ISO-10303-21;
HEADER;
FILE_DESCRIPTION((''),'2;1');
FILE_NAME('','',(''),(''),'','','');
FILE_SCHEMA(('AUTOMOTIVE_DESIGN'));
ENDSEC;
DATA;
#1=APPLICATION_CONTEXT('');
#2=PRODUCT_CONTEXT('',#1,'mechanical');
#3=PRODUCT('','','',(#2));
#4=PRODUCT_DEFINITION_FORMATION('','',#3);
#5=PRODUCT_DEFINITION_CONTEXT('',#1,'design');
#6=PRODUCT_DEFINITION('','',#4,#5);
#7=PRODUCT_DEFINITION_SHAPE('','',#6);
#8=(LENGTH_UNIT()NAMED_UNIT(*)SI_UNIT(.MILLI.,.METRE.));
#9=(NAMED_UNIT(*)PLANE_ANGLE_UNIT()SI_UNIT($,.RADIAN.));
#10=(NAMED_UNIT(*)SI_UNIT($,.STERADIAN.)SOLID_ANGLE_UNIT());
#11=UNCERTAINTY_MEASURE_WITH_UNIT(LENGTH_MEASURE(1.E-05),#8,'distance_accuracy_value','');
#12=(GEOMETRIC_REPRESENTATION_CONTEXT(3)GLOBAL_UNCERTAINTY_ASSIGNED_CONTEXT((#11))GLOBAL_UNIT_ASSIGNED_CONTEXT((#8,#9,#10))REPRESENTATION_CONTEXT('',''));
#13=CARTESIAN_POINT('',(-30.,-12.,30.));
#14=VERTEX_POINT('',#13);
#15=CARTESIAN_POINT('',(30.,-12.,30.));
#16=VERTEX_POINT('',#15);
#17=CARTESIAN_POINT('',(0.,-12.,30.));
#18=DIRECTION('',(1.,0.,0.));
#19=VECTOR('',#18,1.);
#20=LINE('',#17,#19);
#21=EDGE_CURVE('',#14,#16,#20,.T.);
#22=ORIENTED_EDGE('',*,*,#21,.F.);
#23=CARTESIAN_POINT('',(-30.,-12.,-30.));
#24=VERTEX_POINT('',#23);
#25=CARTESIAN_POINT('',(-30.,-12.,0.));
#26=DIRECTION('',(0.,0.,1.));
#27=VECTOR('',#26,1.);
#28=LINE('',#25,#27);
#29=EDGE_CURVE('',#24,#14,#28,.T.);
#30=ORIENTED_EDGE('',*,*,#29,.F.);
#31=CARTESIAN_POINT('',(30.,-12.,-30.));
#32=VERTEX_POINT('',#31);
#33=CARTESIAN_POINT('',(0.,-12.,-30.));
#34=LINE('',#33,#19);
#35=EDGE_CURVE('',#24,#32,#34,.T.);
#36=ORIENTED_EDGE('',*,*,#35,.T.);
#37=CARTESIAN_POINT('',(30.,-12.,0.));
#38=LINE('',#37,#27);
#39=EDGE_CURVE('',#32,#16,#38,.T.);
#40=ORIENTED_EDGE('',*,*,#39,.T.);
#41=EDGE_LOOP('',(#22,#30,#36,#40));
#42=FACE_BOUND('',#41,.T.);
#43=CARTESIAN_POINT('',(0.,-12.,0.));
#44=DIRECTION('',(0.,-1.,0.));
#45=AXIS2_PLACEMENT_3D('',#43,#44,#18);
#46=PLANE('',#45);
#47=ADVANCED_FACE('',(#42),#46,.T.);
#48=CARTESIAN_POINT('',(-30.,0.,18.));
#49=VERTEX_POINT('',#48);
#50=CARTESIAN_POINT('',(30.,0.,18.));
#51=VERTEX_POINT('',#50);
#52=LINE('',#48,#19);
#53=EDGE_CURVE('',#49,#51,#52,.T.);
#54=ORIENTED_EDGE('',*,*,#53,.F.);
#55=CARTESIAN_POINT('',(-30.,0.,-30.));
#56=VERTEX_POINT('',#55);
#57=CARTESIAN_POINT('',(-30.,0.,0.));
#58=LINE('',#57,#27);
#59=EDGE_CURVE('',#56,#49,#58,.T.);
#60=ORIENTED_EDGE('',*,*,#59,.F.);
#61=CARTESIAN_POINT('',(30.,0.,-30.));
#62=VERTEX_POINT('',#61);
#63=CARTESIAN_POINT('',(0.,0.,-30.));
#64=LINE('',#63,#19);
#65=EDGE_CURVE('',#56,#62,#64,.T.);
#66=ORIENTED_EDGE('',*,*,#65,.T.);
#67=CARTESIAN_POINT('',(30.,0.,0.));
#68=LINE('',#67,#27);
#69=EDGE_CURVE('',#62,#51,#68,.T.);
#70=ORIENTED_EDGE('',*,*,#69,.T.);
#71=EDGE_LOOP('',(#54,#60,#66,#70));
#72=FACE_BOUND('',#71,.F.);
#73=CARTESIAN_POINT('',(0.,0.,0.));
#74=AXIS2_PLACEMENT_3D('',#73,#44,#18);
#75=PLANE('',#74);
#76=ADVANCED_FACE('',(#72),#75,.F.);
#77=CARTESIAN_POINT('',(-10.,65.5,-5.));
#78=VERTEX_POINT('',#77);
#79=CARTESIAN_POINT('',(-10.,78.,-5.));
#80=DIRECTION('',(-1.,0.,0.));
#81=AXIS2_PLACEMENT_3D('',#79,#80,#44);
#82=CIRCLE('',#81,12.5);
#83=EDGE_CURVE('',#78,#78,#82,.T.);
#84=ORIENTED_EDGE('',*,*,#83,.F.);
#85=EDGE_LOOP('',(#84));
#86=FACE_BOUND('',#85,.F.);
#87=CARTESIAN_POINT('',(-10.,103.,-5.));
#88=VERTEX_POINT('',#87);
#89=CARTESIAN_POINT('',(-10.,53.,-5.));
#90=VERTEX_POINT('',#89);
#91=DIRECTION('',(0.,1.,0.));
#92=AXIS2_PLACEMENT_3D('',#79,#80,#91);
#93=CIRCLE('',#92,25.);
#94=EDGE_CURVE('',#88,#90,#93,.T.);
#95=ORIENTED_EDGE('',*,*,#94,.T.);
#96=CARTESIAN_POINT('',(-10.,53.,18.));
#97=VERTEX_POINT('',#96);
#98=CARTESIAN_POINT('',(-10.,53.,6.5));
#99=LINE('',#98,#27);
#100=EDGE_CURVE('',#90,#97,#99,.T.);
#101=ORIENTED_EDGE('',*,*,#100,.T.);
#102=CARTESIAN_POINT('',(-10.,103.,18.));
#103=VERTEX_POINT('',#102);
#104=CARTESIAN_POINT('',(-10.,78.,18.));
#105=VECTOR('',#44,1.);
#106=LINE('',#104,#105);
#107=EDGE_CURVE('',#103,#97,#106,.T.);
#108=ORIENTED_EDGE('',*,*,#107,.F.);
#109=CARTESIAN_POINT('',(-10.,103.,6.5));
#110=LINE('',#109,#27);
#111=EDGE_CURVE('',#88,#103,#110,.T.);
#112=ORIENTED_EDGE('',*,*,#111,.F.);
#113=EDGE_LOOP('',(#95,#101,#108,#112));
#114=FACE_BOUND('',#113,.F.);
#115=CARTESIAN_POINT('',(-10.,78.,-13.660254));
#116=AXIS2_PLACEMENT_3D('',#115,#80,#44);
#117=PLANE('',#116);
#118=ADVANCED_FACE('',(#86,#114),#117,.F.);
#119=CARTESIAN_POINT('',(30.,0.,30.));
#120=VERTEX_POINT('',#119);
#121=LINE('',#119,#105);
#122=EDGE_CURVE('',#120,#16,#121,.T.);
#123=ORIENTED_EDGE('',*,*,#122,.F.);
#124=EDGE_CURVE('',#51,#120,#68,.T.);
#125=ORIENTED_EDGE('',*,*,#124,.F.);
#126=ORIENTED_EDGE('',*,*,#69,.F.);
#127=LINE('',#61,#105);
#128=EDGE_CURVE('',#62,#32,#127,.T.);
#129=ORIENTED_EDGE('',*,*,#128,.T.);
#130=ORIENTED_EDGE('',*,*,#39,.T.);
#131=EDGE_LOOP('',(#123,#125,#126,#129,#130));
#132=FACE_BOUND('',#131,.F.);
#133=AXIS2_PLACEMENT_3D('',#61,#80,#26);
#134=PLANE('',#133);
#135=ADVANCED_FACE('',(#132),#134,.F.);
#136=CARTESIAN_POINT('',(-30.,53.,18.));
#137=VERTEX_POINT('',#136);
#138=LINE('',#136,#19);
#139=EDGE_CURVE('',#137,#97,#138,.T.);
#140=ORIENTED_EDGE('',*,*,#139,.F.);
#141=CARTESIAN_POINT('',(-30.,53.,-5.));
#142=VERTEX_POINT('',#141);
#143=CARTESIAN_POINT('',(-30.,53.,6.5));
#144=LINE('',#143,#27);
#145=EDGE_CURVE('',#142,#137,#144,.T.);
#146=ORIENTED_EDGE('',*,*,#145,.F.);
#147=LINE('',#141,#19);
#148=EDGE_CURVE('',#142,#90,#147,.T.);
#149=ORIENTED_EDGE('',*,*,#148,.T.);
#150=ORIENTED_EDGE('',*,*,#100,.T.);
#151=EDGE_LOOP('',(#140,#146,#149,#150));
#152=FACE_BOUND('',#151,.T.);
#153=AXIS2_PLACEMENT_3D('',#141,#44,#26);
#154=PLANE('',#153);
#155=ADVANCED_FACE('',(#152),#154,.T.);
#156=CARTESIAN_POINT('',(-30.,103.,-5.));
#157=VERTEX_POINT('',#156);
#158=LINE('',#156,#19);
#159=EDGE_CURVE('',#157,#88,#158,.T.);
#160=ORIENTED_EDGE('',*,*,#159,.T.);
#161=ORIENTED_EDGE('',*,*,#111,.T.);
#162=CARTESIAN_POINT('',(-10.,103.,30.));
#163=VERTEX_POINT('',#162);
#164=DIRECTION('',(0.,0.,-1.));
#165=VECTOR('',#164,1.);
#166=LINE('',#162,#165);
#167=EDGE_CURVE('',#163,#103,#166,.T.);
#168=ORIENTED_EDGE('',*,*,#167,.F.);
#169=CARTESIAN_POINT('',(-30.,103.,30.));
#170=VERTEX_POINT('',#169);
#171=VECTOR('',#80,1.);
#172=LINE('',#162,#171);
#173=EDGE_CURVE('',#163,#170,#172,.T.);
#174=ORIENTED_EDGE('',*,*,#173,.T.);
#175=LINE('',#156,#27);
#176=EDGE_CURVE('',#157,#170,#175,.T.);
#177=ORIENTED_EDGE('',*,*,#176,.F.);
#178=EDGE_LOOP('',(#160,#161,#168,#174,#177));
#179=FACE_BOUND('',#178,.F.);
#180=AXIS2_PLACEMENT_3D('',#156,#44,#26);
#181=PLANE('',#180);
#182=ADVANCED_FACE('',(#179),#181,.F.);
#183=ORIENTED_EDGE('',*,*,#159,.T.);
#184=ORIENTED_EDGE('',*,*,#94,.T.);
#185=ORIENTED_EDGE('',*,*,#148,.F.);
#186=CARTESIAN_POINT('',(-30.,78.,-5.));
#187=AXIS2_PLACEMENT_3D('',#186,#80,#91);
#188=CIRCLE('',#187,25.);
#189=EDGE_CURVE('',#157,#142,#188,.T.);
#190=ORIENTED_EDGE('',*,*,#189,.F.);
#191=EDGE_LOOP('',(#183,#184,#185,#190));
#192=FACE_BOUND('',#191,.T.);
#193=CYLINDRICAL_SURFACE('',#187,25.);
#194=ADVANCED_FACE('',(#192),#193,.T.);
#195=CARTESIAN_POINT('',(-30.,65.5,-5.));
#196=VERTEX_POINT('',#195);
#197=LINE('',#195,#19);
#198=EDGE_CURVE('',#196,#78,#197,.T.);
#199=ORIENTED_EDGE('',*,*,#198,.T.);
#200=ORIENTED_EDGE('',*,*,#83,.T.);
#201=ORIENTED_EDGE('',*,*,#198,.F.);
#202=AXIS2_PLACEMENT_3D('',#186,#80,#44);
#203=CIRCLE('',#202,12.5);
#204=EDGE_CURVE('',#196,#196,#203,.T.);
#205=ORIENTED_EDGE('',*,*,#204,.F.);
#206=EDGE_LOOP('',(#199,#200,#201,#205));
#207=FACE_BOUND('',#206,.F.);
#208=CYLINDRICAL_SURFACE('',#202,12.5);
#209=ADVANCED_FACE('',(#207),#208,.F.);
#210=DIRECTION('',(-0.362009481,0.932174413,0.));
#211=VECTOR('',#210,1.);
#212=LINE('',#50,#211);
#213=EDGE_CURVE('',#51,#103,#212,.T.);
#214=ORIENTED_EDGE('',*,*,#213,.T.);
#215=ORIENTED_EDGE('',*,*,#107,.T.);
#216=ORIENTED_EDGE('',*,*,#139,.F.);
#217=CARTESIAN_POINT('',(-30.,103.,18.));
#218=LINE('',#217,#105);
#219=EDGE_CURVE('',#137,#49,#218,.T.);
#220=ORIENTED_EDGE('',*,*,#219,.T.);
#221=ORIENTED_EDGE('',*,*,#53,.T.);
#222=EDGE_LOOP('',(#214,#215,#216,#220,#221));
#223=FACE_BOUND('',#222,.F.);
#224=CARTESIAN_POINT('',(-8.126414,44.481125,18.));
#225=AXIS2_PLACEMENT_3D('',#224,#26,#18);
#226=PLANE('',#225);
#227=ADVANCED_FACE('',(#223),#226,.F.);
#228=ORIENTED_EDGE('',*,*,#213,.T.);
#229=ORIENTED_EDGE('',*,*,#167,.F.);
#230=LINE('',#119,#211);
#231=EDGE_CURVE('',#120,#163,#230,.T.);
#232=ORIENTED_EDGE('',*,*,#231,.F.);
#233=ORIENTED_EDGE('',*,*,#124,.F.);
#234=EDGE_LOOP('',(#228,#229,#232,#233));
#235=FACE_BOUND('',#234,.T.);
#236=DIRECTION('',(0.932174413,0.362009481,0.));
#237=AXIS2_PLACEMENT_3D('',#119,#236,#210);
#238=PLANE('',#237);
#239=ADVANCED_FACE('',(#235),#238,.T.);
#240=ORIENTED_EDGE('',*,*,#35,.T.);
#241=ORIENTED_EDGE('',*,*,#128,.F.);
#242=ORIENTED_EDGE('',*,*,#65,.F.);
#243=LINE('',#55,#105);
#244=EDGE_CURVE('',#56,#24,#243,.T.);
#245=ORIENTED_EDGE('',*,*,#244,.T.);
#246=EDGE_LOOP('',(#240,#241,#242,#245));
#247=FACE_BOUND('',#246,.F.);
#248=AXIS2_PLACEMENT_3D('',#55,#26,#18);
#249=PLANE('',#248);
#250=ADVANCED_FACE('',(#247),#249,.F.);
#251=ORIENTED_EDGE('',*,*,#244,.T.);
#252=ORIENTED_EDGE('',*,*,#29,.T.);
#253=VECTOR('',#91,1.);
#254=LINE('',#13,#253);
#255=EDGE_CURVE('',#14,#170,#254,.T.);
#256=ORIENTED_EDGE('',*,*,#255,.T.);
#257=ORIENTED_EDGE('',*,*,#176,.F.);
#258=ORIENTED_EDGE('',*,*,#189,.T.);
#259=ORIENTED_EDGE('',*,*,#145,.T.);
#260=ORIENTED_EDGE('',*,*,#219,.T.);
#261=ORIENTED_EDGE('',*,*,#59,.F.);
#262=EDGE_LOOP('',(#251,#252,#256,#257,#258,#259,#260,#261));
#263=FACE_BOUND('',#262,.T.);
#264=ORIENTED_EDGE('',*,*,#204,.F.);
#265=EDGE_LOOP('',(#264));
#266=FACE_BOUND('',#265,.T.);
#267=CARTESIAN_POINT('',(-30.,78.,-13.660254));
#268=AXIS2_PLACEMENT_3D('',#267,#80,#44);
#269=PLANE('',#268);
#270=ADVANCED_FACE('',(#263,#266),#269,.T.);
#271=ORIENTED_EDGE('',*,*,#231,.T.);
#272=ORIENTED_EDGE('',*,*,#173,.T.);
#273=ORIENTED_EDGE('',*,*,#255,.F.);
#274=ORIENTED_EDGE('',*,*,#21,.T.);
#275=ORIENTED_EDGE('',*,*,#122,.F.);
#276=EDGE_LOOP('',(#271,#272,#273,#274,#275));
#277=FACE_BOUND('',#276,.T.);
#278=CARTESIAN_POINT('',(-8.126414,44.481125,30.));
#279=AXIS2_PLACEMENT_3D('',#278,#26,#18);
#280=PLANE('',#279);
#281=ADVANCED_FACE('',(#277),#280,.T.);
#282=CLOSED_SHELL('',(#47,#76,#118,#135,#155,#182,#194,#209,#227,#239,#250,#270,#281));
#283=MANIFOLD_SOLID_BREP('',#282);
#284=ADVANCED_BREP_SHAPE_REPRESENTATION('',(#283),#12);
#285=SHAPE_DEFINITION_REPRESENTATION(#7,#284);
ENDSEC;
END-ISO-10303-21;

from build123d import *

# Parameters (mm, degrees)
F0_W     = 60
F0_H     = 60
F1_DEPTH = 12
F3_DEPTH = 12
F4_W     = 50
F4_H     = 23
F5_DEPTH = 20
F7_DEPTH = 20
F8_R     = 12.5
F9_DEPTH = 20


with BuildPart() as f1:
    # F0 (on Front) → F1 (new body)
    with BuildSketch(Plane.XZ):
        Rectangle(F0_W, F0_H)
    extrude(amount=F1_DEPTH)

    # F2 (on face) → F3 (join)
    with BuildSketch(Plane.XY.offset(30)):
        Polygon((-30, 103), (-30, 0), (30, 0), (-10, 103), align=None)
    extrude(amount=-F3_DEPTH)

    # F4 (on face) → F5 (join)
    with BuildSketch(Plane(origin=(-30, 0, 0), x_dir=(0, -1, 0), z_dir=(-1, 0, 0))):
        with Locations((-78, 6.5)):
            Rectangle(F4_W, F4_H)
    extrude(amount=-F5_DEPTH)

    # F6 (on face) → F7 (join)
    with BuildSketch(Plane(origin=(-30, 0, 0), x_dir=(0, -1, 0), z_dir=(-1, 0, 0))):
        with BuildLine():
            Line((-53, -5), (-103, -5))
            ThreePointArc((-103, -5), (-78, -30), (-53, -5))
        make_face()
    extrude(amount=-F7_DEPTH)

    # F8 (on face) → F9 (cut)
    with BuildSketch(Plane(origin=(-30, 0, 0), x_dir=(0, -1, 0), z_dir=(-1, 0, 0))):
        with Locations((-78, -5)):
            Circle(F8_R)
    extrude(amount=-F9_DEPTH, mode=Mode.SUBTRACT)


solid = f1.part
